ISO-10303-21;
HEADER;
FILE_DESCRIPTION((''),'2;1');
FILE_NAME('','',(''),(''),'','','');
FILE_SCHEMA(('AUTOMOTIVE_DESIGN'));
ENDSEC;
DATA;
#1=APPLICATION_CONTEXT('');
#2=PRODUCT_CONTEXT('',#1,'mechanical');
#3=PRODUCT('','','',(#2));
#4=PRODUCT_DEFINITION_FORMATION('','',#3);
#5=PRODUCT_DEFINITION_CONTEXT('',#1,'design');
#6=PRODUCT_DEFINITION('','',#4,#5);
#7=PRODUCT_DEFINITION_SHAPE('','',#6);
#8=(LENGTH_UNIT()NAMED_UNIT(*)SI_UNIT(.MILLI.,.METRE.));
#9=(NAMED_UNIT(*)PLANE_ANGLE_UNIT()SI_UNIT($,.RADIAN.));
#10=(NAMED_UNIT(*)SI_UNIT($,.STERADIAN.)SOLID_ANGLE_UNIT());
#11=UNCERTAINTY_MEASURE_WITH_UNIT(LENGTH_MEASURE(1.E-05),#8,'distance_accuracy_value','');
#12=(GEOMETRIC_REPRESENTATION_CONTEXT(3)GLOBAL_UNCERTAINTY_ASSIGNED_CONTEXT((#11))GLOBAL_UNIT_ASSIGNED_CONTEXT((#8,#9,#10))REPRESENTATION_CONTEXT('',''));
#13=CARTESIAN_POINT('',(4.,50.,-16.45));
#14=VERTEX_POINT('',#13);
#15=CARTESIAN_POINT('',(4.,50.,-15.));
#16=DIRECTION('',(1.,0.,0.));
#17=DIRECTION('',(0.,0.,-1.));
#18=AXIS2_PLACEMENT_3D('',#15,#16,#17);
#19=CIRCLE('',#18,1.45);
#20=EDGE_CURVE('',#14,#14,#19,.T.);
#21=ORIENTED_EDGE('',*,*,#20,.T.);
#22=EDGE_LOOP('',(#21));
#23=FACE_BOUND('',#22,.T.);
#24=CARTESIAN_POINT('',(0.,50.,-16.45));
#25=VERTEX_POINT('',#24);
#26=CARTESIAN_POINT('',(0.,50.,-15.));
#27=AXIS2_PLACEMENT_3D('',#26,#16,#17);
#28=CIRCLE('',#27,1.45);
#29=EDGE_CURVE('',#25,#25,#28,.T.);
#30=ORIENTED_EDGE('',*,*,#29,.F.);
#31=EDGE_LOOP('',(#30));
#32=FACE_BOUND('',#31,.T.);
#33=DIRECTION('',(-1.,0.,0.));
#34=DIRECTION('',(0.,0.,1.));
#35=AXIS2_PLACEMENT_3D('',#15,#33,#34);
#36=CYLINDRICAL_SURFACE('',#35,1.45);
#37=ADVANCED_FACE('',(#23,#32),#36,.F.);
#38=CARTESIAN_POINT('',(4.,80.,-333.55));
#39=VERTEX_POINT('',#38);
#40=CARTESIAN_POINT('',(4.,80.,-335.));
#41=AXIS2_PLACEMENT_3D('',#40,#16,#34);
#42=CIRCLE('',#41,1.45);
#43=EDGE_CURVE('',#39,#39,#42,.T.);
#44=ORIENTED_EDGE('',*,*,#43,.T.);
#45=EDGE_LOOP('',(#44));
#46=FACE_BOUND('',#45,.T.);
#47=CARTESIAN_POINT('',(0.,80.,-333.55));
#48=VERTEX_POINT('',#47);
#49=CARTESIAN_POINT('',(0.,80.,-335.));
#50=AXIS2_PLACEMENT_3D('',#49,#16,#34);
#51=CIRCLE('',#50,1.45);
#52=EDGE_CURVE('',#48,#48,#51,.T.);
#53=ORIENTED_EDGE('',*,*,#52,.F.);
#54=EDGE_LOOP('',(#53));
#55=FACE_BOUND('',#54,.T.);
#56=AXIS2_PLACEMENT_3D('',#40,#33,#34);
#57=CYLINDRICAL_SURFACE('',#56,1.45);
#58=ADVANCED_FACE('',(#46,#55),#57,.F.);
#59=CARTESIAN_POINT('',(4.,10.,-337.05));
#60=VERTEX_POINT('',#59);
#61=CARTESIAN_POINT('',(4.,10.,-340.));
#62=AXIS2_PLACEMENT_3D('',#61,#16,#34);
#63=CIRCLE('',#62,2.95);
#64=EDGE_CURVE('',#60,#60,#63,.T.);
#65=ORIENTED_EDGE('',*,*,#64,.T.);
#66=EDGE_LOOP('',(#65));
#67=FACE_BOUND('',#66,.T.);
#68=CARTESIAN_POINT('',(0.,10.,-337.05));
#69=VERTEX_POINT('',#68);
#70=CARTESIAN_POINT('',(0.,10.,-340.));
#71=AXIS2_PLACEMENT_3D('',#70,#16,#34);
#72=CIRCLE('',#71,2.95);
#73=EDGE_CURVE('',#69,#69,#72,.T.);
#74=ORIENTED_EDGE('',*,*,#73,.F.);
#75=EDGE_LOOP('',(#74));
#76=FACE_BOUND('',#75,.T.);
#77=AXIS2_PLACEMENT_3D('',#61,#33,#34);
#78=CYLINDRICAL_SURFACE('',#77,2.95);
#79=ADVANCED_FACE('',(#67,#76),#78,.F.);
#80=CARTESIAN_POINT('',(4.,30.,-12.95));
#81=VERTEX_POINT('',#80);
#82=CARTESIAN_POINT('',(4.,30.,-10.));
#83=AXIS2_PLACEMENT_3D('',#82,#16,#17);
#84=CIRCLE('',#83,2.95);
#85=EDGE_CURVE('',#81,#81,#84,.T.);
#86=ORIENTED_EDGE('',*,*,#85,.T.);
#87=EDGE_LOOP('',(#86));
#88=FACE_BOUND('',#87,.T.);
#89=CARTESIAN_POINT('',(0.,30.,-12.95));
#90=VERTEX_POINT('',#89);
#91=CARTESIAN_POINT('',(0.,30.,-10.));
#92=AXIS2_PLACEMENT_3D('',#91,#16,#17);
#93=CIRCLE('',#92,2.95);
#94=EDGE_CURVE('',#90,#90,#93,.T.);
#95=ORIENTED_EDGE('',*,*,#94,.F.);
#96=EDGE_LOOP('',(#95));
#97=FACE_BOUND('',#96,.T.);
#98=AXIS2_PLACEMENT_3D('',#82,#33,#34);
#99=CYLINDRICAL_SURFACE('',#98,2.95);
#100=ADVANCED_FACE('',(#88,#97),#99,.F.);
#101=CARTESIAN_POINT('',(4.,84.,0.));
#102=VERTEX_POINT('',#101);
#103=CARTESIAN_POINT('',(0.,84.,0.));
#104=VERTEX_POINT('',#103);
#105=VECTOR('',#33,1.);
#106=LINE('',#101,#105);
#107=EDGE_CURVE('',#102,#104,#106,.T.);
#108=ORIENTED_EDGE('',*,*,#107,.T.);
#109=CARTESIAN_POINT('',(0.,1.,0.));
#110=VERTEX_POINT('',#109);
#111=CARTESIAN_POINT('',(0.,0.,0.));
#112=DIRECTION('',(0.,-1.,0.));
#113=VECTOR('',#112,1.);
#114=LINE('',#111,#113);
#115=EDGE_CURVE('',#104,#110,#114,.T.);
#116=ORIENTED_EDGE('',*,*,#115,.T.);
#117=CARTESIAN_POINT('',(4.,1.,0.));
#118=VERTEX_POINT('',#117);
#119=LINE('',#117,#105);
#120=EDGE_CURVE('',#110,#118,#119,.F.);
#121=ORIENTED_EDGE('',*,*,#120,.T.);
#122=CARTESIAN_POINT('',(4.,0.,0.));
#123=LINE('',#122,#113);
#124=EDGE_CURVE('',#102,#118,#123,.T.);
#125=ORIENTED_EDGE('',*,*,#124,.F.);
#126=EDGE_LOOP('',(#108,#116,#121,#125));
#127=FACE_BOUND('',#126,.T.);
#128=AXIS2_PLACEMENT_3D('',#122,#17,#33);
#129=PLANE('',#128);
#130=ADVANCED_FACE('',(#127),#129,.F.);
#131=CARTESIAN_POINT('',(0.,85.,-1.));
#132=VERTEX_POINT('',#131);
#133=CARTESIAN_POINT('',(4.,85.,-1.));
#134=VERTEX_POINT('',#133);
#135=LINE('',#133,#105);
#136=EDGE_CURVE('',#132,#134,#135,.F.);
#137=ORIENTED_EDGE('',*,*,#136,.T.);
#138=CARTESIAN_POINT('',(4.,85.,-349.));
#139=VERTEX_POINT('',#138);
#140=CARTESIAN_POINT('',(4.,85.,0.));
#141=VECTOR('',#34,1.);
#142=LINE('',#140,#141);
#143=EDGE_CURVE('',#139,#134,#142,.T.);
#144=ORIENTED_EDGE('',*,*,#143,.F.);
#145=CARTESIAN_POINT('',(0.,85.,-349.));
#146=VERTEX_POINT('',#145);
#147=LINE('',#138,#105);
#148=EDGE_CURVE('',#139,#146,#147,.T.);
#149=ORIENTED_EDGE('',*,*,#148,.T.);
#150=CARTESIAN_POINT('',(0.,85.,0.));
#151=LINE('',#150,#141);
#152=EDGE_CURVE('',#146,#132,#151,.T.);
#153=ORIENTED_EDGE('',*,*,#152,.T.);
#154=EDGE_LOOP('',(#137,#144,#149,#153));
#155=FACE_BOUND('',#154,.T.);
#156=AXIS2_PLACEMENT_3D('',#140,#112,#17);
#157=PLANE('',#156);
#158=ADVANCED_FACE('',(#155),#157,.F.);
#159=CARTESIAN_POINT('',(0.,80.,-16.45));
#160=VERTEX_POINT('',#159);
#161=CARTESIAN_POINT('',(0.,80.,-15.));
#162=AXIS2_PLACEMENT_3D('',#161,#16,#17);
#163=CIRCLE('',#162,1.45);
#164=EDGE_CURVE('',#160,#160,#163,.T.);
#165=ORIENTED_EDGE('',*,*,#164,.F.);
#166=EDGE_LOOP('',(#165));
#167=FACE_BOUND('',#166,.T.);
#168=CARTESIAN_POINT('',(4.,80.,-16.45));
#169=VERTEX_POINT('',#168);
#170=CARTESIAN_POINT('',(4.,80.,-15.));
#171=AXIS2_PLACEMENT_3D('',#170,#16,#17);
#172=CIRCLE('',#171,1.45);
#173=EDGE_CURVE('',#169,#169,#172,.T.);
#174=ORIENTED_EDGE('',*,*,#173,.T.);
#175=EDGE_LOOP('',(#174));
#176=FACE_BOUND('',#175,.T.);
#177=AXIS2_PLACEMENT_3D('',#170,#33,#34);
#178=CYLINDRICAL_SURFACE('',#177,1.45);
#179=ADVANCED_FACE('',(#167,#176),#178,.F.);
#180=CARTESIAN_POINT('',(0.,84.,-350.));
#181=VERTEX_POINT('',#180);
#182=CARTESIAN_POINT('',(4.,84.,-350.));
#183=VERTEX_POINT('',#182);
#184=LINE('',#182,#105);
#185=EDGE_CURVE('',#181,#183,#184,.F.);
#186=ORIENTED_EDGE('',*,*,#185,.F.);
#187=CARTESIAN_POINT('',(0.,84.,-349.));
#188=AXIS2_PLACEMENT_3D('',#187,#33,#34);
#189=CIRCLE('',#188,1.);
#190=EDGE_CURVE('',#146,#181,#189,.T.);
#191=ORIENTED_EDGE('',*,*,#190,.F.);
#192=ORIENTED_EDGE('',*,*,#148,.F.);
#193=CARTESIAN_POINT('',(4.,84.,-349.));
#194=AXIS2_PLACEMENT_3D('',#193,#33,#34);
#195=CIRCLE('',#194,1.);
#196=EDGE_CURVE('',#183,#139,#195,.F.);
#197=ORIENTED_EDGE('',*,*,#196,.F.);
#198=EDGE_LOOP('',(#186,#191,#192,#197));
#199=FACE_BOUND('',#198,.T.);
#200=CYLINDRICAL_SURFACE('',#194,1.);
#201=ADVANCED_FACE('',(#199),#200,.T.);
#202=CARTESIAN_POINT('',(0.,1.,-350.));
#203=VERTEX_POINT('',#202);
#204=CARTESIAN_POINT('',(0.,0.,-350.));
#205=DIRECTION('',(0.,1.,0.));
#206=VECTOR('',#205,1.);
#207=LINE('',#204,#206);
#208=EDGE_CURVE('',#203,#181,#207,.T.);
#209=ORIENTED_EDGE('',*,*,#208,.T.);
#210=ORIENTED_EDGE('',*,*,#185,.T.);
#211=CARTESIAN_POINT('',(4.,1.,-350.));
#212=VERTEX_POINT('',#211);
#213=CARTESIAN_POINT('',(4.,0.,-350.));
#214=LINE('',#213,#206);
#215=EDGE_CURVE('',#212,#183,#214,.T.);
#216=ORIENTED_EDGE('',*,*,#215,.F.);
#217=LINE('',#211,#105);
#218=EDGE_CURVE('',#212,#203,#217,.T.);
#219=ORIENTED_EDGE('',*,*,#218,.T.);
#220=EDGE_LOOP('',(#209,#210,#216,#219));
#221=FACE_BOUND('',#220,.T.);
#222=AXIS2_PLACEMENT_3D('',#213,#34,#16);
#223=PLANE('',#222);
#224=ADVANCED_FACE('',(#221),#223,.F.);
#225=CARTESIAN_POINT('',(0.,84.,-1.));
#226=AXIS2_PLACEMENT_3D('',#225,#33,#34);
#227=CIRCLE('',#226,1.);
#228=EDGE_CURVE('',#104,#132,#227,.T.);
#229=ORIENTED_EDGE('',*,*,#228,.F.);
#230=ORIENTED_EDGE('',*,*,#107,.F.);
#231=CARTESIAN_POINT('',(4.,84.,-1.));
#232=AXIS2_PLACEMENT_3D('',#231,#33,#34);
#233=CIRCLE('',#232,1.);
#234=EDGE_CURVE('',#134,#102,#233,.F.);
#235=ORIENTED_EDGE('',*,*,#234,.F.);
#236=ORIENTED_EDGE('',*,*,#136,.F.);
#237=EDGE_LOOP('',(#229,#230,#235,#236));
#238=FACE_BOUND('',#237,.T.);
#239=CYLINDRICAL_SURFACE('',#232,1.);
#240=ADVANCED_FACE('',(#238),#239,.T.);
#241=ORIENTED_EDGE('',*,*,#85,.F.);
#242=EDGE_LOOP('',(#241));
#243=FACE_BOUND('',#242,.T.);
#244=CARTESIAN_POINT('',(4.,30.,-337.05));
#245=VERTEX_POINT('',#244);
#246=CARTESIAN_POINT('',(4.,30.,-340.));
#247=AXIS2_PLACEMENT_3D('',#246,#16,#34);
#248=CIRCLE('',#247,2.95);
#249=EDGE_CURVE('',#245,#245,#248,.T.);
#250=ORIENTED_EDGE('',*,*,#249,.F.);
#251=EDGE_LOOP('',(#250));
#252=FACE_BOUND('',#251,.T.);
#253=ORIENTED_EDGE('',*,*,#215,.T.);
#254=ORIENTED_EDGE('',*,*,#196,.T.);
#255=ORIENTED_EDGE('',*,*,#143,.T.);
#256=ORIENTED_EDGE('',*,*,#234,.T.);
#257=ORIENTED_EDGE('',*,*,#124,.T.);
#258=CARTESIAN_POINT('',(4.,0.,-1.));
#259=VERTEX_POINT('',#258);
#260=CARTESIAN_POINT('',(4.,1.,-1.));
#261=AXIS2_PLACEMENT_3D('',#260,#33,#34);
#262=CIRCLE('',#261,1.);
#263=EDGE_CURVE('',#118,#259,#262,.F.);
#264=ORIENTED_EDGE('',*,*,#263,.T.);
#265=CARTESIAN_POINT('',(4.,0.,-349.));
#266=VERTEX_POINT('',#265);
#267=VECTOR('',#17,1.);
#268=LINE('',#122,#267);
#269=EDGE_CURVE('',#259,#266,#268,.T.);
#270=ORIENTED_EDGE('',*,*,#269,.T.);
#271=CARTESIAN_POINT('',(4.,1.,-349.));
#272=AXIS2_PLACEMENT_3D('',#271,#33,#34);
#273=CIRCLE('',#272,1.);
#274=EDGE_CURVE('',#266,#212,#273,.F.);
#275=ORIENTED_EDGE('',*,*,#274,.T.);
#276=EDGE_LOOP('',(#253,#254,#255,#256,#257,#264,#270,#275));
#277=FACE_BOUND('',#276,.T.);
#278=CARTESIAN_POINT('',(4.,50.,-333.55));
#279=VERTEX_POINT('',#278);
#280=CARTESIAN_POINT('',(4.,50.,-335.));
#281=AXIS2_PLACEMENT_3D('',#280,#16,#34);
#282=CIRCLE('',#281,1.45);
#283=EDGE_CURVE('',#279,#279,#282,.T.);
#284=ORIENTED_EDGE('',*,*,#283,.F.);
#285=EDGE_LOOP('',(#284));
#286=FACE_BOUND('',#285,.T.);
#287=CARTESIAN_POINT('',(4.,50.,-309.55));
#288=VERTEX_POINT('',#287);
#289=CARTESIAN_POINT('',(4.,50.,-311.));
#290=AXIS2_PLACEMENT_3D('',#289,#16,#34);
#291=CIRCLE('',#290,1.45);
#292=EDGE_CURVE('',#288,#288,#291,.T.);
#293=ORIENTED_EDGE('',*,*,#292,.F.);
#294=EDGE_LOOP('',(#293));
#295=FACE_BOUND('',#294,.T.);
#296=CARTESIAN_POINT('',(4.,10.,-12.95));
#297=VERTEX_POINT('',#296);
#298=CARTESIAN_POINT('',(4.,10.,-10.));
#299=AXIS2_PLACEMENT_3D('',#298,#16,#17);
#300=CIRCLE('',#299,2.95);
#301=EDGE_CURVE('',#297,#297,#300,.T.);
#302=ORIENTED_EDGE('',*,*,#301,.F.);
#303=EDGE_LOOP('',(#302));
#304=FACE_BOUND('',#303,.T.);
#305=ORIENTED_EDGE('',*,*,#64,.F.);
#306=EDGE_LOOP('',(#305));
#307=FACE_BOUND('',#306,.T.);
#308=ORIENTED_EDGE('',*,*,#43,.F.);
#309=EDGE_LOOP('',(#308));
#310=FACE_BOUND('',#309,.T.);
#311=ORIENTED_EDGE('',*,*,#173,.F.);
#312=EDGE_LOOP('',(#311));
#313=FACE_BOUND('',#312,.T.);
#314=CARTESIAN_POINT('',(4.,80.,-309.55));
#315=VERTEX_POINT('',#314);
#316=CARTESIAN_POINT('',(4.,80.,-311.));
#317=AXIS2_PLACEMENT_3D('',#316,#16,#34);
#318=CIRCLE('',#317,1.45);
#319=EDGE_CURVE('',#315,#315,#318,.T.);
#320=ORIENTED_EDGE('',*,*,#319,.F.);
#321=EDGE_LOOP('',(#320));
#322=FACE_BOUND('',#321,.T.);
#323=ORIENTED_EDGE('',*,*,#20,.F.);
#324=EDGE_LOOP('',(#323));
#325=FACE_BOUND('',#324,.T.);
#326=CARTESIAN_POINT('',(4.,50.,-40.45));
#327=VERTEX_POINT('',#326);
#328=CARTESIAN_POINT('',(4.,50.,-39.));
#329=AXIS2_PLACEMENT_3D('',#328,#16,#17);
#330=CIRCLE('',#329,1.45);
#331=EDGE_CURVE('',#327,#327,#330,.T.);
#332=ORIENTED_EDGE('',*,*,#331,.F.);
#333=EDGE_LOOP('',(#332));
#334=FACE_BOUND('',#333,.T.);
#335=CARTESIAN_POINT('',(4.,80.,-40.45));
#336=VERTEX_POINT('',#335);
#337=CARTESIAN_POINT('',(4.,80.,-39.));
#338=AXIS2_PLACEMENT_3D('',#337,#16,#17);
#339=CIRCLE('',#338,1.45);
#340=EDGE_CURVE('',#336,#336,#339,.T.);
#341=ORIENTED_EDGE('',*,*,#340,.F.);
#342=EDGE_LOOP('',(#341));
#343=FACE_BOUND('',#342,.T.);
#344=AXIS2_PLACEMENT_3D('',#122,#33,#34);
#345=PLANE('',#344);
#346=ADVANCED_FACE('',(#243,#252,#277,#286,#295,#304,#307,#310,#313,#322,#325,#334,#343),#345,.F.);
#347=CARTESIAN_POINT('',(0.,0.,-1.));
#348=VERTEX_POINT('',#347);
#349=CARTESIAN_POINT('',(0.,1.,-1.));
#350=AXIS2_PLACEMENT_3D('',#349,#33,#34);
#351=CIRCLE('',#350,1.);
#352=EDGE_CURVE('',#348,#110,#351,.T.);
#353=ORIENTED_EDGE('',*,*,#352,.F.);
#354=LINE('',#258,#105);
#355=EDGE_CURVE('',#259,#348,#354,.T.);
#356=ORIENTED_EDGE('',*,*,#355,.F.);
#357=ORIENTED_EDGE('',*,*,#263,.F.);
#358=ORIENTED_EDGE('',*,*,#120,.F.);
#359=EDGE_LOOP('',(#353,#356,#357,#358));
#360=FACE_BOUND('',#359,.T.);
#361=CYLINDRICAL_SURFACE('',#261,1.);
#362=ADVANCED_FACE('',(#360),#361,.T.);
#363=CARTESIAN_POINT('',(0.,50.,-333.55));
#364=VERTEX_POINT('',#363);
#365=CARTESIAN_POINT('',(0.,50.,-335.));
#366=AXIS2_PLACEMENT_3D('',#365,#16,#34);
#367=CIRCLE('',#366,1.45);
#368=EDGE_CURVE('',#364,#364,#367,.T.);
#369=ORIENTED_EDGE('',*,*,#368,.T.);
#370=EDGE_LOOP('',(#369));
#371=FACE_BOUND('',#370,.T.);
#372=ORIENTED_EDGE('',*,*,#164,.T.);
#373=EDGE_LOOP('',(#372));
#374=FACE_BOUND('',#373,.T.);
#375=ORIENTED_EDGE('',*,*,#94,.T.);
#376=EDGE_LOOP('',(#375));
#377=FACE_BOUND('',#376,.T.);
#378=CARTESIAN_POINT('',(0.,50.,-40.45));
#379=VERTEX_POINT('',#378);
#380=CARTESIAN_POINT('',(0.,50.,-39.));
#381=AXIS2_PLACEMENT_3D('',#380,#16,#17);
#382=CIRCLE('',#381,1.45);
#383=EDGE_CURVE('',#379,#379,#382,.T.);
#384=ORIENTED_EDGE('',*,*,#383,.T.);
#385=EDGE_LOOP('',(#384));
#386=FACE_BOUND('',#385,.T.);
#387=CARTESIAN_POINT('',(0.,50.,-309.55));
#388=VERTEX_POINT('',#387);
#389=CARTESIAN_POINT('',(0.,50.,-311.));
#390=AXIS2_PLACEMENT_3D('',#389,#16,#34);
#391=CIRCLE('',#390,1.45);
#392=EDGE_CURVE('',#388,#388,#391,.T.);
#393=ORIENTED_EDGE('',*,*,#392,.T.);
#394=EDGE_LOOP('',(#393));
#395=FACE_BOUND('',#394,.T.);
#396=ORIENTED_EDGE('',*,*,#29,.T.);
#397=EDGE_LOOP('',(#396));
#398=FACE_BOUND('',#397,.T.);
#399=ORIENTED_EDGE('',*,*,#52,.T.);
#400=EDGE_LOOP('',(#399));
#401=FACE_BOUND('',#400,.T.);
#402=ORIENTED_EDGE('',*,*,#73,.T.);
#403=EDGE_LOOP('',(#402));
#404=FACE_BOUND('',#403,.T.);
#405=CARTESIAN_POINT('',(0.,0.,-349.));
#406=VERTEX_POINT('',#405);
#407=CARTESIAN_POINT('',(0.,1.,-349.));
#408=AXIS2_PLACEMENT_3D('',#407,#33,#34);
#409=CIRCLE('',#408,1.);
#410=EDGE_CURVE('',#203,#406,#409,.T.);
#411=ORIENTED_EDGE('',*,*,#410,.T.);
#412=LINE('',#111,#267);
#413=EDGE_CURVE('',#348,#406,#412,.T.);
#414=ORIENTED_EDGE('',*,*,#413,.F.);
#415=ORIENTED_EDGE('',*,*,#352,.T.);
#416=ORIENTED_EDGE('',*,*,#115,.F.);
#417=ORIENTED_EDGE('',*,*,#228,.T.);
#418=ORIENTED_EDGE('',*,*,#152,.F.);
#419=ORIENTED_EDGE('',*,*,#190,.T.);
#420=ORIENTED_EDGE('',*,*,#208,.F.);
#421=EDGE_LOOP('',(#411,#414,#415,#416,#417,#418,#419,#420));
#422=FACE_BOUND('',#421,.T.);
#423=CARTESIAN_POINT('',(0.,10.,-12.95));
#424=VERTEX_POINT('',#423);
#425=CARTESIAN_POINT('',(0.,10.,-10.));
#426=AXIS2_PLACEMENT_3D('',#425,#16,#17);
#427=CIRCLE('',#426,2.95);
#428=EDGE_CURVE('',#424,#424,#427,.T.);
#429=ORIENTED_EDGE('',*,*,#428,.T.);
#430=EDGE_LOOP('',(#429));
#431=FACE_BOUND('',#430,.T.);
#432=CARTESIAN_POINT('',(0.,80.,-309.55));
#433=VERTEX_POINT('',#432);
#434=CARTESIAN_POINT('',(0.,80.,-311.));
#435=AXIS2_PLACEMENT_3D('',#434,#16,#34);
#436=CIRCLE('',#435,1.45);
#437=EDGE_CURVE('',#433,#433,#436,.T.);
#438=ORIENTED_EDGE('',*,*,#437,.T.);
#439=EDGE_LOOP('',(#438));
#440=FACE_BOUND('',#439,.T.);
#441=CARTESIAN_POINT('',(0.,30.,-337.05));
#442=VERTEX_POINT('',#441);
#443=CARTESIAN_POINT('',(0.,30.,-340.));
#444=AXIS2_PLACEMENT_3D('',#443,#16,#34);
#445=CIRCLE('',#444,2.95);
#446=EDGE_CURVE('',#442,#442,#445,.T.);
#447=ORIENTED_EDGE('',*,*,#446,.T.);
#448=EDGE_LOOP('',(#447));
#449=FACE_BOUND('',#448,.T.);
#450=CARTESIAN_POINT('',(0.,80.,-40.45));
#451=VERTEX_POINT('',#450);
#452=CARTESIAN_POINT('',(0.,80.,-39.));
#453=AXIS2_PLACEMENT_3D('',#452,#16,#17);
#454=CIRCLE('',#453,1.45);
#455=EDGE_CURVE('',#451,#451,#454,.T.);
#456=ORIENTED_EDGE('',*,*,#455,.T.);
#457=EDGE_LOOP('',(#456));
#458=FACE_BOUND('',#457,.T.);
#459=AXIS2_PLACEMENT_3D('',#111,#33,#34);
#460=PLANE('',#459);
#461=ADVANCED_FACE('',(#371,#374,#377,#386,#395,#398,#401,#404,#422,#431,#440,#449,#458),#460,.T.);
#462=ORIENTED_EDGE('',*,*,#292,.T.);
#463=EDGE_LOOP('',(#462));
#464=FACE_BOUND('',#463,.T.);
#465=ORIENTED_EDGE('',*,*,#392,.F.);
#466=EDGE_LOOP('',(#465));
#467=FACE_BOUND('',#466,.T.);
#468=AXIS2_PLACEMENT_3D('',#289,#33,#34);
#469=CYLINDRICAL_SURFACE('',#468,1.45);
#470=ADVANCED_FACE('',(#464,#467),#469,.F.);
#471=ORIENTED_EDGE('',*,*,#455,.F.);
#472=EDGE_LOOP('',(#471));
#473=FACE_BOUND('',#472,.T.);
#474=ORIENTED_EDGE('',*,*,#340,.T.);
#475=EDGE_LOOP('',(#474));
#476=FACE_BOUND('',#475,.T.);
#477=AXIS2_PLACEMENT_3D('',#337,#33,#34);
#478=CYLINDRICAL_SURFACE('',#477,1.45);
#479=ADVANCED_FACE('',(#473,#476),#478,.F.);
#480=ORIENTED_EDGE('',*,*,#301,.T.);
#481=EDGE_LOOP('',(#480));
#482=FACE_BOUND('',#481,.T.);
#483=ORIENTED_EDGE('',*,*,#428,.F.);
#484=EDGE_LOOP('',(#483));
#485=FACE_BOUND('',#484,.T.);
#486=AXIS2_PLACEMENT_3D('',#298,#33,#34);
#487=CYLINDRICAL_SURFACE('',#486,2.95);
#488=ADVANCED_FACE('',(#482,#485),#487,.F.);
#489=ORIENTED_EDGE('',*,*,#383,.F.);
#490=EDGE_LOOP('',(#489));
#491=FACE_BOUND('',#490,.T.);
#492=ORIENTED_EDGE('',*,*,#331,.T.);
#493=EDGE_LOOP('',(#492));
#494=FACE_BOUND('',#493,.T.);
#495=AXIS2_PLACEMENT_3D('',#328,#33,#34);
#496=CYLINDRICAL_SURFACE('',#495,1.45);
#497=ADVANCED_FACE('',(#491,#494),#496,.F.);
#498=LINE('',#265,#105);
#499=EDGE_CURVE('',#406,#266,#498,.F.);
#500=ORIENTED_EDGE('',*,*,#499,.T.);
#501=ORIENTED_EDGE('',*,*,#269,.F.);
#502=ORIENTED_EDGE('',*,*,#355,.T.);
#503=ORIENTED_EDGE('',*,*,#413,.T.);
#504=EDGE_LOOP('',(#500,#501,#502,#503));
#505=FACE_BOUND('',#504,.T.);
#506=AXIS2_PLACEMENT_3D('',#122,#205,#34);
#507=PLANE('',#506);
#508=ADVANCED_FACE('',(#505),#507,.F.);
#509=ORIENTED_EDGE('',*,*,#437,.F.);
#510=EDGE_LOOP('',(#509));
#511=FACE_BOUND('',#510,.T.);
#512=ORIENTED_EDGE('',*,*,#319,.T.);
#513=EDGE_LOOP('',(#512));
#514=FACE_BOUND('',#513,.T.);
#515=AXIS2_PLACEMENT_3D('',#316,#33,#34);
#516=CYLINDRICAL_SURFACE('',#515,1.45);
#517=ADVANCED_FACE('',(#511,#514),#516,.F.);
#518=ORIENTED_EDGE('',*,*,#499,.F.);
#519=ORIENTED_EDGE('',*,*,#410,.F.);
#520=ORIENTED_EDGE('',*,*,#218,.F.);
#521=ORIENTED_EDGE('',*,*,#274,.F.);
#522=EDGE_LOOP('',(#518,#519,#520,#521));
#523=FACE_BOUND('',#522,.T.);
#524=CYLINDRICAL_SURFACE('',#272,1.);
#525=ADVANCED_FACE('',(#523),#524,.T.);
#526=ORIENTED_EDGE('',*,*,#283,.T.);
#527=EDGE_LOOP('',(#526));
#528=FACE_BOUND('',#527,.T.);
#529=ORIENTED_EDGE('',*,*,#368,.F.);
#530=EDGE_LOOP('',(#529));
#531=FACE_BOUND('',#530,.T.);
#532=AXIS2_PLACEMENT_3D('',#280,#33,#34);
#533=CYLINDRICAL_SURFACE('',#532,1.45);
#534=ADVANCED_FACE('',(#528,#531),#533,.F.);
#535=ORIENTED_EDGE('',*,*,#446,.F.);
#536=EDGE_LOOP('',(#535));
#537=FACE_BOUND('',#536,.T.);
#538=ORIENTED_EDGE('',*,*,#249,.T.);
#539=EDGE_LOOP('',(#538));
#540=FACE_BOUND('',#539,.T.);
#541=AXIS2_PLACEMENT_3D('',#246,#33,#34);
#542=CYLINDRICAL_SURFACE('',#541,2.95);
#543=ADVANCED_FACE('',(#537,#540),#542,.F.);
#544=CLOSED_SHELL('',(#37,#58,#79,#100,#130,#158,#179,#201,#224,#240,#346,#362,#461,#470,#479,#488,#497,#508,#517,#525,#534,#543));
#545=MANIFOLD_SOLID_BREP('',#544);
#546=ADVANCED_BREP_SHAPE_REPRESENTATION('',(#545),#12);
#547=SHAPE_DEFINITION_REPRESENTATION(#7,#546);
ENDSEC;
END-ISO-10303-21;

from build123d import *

# Parameters (mm, degrees)
SKETCH_1_W      = 350
SKETCH_1_H      = 85
SKETCH_1_R      = 2.95
SKETCH_1_R_2    = 1.45
EXTRUDE_1_DEPTH = 4
FILLET_1_R      = 1


with BuildPart() as part:
    # 草图1 → 凸台-拉伸1 (new body)
    with BuildSketch(Plane(origin=(0, 0, 0), x_dir=(0, 0, -1), z_dir=(1, 0, 0))):
        with Locations((175, 42.5)):
            Rectangle(SKETCH_1_W, SKETCH_1_H)
        with Locations((10, 30)):
            Circle(SKETCH_1_R, mode=Mode.SUBTRACT)
        with Locations((10, 10)):
            Circle(SKETCH_1_R, mode=Mode.SUBTRACT)
        with Locations((15, 80)):
            Circle(SKETCH_1_R_2, mode=Mode.SUBTRACT)
        with Locations((39, 80)):
            Circle(SKETCH_1_R_2, mode=Mode.SUBTRACT)
        with Locations((15, 50)):
            Circle(SKETCH_1_R_2, mode=Mode.SUBTRACT)
        with Locations((39, 50)):
            Circle(SKETCH_1_R_2, mode=Mode.SUBTRACT)
        with Locations(Location((311, 50, 0), (0, 0, 180))):
            Circle(SKETCH_1_R_2, mode=Mode.SUBTRACT)
        with Locations(Location((335, 50, 0), (0, 0, 180))):
            Circle(SKETCH_1_R_2, mode=Mode.SUBTRACT)
        with Locations(Location((311, 80, 0), (0, 0, 180))):
            Circle(SKETCH_1_R_2, mode=Mode.SUBTRACT)
        with Locations(Location((335, 80, 0), (0, 0, 180))):
            Circle(SKETCH_1_R_2, mode=Mode.SUBTRACT)
        with Locations(Location((340, 10, 0), (0, 0, 180))):
            Circle(SKETCH_1_R, mode=Mode.SUBTRACT)
        with Locations(Location((340, 30, 0), (0, 0, 180))):
            Circle(SKETCH_1_R, mode=Mode.SUBTRACT)
    extrude(amount=EXTRUDE_1_DEPTH)

    # 圆角1
    fillet_1_edges = [part.edges().sort_by_distance(p)[0] for p in [
        (2, 85, 0),
        (2, 85, -350),
        (2, 0, -350),
        (2, 0, 0),
    ]]
    fillet(fillet_1_edges, radius=FILLET_1_R)


solid = part.part
